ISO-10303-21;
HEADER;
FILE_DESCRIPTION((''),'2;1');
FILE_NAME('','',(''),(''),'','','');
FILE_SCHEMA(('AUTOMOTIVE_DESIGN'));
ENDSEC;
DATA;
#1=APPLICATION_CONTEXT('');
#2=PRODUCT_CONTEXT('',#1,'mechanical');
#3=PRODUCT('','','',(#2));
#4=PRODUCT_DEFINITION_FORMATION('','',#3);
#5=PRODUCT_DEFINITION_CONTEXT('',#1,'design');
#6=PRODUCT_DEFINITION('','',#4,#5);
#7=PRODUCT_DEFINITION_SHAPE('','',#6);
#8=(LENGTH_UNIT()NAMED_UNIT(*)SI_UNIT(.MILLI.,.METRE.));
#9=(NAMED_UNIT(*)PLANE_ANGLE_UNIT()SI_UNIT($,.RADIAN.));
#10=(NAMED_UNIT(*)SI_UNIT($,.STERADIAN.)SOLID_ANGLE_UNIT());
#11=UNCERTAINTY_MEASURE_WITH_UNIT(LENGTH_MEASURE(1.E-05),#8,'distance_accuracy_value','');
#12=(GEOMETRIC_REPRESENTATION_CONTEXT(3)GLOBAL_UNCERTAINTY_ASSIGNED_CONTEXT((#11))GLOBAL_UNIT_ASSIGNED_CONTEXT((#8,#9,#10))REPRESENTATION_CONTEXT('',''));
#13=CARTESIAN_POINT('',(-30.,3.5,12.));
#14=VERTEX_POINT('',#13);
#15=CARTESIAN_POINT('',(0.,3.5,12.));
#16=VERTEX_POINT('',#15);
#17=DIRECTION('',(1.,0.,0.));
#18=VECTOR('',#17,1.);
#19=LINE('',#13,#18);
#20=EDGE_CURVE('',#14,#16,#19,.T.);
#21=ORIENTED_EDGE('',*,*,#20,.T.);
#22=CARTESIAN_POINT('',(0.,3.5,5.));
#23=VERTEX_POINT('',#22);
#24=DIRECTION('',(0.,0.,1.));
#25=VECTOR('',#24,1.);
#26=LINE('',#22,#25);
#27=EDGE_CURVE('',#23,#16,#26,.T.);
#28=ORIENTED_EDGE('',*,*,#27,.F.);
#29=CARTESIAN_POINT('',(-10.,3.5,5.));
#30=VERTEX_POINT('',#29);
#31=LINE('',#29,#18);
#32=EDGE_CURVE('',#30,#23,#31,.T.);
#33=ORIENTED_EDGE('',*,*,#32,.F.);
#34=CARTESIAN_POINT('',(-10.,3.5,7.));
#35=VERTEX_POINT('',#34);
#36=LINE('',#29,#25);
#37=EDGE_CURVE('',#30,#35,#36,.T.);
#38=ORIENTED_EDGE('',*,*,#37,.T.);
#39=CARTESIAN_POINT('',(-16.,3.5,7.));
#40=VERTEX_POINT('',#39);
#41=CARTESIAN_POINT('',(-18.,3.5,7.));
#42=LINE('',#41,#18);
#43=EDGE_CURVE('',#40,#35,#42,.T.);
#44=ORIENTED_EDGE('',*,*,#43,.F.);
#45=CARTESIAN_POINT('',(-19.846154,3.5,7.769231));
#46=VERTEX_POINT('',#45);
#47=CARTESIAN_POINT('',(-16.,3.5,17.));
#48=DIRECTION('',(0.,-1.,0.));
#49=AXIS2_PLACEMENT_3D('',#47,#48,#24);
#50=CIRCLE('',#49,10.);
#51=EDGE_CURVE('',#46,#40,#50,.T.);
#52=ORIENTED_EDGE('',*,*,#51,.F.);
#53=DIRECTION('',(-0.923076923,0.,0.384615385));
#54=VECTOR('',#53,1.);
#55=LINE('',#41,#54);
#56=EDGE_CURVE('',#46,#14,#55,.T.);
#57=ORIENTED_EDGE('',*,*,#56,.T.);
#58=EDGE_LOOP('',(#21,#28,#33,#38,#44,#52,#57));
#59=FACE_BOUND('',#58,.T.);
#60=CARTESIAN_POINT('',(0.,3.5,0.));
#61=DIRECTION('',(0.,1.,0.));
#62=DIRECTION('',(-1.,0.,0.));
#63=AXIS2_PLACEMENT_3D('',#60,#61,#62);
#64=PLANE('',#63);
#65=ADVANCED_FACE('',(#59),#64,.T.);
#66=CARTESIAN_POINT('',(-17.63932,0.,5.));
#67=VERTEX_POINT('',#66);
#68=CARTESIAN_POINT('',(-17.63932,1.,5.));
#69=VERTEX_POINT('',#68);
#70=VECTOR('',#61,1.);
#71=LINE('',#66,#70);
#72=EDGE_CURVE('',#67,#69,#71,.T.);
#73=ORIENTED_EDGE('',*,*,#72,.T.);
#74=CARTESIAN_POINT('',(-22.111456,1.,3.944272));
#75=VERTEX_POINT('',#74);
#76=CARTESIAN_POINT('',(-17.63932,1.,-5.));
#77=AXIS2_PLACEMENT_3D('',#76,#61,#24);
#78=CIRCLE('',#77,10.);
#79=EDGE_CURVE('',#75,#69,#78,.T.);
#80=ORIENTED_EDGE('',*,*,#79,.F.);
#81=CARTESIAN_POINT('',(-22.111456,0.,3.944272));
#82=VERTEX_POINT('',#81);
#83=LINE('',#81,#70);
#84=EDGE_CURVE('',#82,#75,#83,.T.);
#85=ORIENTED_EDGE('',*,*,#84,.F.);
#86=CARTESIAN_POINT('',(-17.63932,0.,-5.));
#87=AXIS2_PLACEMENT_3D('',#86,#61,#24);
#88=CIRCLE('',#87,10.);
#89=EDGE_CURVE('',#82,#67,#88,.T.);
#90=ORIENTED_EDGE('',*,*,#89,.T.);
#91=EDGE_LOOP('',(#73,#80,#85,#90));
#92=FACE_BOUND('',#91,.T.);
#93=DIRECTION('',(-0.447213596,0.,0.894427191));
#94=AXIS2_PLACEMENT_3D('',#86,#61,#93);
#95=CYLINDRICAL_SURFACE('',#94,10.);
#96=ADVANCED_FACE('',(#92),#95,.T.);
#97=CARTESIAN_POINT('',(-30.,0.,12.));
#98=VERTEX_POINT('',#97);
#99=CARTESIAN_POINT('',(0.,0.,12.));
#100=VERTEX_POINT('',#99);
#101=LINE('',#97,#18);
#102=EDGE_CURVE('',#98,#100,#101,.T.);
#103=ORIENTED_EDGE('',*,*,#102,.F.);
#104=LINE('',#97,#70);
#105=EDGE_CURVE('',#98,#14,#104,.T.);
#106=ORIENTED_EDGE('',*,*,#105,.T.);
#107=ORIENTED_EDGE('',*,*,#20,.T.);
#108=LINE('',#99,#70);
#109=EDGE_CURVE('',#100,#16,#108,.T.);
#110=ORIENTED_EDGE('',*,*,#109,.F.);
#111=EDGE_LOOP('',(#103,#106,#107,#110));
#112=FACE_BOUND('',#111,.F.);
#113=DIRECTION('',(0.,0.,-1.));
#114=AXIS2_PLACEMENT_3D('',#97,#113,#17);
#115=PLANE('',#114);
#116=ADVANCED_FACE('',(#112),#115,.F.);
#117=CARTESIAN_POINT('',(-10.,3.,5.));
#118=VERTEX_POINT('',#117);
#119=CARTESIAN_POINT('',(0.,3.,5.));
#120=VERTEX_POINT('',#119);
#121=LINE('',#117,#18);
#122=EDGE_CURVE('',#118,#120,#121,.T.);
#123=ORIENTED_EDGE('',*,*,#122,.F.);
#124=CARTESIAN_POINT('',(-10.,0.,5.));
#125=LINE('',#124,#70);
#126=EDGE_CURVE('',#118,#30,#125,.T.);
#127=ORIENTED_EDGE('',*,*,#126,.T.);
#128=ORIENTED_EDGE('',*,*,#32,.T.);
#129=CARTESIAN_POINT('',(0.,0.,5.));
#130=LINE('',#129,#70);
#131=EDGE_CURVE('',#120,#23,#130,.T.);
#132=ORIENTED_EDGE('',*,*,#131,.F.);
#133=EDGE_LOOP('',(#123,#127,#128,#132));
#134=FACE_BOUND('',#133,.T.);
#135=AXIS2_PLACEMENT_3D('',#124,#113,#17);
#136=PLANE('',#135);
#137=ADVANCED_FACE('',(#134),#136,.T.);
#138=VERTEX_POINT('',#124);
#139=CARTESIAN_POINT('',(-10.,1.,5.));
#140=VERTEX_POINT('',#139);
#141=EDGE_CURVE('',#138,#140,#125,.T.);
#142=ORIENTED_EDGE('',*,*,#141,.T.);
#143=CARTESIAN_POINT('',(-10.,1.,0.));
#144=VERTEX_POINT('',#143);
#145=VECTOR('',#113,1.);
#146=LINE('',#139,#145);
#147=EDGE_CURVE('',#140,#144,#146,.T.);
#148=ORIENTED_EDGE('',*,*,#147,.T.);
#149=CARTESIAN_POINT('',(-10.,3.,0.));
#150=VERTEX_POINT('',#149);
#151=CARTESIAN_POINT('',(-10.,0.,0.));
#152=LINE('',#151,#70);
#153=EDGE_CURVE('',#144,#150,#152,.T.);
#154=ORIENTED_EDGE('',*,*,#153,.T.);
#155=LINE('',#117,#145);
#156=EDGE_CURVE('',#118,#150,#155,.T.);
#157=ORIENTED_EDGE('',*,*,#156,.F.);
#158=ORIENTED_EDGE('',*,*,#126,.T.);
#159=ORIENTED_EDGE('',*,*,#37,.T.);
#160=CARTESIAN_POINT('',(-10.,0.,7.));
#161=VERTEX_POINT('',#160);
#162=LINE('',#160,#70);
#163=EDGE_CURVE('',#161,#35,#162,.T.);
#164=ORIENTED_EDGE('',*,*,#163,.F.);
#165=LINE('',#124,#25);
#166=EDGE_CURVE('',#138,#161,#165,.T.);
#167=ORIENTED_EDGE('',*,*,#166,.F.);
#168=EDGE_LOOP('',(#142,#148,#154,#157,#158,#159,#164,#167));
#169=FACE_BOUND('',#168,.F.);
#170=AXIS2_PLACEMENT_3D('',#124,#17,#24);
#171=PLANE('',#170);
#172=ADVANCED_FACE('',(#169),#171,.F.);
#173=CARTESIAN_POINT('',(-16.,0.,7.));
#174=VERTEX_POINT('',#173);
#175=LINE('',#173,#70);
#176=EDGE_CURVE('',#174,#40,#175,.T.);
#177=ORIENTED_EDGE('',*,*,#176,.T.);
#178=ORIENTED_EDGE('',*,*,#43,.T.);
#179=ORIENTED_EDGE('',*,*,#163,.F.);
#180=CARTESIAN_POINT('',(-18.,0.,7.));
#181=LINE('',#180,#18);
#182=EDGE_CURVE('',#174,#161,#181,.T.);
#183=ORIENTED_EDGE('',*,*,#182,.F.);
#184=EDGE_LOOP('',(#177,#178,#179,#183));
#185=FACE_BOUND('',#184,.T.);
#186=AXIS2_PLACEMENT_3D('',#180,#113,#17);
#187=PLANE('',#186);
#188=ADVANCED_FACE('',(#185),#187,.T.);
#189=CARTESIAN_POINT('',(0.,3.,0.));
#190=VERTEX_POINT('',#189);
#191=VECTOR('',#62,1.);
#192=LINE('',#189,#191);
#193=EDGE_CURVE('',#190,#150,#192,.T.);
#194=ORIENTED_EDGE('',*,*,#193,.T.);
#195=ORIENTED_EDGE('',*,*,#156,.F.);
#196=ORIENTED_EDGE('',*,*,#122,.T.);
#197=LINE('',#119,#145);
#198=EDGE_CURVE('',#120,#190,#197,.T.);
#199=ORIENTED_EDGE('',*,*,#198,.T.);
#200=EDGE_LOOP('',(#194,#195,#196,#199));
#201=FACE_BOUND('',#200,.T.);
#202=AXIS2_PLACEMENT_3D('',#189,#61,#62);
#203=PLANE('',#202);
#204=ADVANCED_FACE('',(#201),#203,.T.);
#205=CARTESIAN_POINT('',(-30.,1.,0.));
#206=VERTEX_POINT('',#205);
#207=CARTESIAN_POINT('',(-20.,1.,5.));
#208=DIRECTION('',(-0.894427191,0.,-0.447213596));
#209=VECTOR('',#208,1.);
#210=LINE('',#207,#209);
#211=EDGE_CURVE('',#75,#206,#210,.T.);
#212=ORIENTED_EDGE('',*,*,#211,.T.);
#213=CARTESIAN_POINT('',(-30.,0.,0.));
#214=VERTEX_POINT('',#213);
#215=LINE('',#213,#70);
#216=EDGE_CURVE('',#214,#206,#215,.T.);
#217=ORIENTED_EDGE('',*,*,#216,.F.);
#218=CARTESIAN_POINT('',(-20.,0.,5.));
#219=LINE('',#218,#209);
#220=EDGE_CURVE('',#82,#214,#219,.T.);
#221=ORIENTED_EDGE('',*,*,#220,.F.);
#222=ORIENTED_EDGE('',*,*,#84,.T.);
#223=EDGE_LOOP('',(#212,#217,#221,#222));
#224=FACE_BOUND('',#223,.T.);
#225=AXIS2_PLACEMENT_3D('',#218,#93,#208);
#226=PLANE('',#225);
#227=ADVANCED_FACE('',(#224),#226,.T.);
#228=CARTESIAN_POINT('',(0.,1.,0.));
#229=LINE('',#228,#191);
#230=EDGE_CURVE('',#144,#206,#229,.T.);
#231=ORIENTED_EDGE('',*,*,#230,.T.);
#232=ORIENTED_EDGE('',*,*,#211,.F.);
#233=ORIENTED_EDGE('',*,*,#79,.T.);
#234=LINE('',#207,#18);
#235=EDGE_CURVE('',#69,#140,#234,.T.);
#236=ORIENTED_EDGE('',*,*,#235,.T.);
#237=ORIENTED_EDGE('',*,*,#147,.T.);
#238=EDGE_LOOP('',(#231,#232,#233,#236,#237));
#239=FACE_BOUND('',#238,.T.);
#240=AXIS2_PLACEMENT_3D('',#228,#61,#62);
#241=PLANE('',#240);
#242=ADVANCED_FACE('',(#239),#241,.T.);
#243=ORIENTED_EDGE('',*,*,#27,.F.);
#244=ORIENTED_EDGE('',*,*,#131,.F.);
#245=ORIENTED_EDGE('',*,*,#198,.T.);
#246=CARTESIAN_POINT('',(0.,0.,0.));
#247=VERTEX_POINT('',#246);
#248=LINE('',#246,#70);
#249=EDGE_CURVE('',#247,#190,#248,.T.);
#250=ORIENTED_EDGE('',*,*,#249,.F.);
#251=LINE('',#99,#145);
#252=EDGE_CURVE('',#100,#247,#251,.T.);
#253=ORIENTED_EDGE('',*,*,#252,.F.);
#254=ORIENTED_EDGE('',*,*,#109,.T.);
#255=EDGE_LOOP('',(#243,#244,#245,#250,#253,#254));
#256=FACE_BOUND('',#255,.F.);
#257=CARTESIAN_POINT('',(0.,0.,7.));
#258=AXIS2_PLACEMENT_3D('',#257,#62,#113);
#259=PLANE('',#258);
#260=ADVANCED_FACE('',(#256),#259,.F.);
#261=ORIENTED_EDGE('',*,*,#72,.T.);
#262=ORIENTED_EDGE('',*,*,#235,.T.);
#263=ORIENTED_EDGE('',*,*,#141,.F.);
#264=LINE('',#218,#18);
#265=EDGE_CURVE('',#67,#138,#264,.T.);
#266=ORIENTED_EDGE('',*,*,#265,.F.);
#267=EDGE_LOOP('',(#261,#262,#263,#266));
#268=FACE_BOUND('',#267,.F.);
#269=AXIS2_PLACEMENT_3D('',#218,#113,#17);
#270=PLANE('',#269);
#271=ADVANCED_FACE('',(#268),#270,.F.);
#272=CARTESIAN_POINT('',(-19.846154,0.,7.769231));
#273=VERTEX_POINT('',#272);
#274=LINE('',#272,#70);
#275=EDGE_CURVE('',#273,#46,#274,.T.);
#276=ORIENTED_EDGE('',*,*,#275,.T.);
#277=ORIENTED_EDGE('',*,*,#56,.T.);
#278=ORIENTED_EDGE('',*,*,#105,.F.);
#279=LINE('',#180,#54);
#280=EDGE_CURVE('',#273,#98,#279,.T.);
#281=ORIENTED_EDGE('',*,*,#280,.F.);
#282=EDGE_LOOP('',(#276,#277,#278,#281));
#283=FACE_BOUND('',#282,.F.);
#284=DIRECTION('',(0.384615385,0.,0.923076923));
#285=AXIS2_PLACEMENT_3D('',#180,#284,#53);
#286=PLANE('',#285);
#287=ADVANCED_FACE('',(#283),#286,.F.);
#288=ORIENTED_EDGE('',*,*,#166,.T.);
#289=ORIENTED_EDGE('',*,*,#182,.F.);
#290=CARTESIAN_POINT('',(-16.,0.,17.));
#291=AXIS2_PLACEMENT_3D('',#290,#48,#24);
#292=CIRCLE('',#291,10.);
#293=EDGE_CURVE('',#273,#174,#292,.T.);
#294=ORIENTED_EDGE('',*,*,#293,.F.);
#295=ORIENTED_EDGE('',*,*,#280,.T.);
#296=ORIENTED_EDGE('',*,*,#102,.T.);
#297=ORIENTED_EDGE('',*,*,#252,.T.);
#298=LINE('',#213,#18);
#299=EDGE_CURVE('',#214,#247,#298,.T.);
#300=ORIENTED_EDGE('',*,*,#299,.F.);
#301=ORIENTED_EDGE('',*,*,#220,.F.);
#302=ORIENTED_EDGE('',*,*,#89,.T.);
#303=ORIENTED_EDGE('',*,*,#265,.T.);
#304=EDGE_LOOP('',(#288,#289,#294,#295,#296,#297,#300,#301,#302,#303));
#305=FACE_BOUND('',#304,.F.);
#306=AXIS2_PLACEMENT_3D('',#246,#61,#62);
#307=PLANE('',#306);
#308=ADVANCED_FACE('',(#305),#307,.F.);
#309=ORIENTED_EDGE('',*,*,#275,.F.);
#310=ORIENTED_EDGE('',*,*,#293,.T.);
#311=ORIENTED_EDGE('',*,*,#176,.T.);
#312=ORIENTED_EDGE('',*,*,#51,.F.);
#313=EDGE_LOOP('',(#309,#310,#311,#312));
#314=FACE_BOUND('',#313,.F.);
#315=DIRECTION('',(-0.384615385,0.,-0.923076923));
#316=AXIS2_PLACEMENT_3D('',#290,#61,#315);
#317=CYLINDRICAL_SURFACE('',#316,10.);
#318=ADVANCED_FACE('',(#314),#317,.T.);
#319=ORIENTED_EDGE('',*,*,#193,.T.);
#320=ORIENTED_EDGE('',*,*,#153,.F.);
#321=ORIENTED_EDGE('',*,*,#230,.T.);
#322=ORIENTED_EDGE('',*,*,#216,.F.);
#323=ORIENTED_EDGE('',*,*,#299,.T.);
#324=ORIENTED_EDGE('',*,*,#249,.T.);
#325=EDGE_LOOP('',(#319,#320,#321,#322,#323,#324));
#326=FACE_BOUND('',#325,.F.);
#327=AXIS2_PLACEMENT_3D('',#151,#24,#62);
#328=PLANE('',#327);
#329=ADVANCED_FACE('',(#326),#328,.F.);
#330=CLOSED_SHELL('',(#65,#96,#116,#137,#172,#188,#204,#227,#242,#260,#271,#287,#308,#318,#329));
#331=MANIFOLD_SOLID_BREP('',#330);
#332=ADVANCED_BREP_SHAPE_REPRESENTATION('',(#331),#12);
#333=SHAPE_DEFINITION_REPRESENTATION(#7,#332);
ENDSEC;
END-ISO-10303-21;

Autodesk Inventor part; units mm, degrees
ref_plane "YZ Plane" through (0, 0, 0) normal (1, 0, 0) x (0, 1, 0)
ref_plane "XZ Plane" through (0, 0, 0) normal (0, 1, 0) x (-1, 0, 0)
ref_plane "XY Plane" through (0, 0, 0) normal (0, 0, 1) x (1, 0, 0)
sketch "Sketch1" plane through (0, 0, 0) normal (0, 1, 0) x (-1, 0, 0)
  line L0 (0, 0) -> (30, 0)
  line L1 (0, 5) -> (0, 0)
  line L2 (20, 5) -> (30, 0)
  line L3 (30, 12) -> (0, 12)
  line L4 (0, 12) -> (0, 5)
  line L5 (0, 5) -> (0, 7)
  line L6 (18, 7) -> (30, 12)
  line L7 (20, 5) -> (10, 5)
  line L8 (10, 5) -> (10, 7)
  line L9 (18, 7) -> (10, 7)
  line L10 (10, 5) -> (0, 5)
  line L11 (10, 5) -> (10, 0)
  dimension "d13" = 2
  dimension "d15" = 10
extrude "Extrusion6" add sketch "Sketch1" along normal blind 1 contours L11 L7 L2 L0
extrude "Extrusion7" add sketch "Sketch1" along normal blind 3 contours L1 L10 L11 L0
extrude "Extrusion8" add sketch "Sketch1" along normal blind 3.5 contours L4 L3 L6 L9 L8 L10
fillet "Fillet4" radius 10 2 edges at (-20, 0.5, 5) (-18, 1.75, 7)
properties part number "clip_tip_M"
